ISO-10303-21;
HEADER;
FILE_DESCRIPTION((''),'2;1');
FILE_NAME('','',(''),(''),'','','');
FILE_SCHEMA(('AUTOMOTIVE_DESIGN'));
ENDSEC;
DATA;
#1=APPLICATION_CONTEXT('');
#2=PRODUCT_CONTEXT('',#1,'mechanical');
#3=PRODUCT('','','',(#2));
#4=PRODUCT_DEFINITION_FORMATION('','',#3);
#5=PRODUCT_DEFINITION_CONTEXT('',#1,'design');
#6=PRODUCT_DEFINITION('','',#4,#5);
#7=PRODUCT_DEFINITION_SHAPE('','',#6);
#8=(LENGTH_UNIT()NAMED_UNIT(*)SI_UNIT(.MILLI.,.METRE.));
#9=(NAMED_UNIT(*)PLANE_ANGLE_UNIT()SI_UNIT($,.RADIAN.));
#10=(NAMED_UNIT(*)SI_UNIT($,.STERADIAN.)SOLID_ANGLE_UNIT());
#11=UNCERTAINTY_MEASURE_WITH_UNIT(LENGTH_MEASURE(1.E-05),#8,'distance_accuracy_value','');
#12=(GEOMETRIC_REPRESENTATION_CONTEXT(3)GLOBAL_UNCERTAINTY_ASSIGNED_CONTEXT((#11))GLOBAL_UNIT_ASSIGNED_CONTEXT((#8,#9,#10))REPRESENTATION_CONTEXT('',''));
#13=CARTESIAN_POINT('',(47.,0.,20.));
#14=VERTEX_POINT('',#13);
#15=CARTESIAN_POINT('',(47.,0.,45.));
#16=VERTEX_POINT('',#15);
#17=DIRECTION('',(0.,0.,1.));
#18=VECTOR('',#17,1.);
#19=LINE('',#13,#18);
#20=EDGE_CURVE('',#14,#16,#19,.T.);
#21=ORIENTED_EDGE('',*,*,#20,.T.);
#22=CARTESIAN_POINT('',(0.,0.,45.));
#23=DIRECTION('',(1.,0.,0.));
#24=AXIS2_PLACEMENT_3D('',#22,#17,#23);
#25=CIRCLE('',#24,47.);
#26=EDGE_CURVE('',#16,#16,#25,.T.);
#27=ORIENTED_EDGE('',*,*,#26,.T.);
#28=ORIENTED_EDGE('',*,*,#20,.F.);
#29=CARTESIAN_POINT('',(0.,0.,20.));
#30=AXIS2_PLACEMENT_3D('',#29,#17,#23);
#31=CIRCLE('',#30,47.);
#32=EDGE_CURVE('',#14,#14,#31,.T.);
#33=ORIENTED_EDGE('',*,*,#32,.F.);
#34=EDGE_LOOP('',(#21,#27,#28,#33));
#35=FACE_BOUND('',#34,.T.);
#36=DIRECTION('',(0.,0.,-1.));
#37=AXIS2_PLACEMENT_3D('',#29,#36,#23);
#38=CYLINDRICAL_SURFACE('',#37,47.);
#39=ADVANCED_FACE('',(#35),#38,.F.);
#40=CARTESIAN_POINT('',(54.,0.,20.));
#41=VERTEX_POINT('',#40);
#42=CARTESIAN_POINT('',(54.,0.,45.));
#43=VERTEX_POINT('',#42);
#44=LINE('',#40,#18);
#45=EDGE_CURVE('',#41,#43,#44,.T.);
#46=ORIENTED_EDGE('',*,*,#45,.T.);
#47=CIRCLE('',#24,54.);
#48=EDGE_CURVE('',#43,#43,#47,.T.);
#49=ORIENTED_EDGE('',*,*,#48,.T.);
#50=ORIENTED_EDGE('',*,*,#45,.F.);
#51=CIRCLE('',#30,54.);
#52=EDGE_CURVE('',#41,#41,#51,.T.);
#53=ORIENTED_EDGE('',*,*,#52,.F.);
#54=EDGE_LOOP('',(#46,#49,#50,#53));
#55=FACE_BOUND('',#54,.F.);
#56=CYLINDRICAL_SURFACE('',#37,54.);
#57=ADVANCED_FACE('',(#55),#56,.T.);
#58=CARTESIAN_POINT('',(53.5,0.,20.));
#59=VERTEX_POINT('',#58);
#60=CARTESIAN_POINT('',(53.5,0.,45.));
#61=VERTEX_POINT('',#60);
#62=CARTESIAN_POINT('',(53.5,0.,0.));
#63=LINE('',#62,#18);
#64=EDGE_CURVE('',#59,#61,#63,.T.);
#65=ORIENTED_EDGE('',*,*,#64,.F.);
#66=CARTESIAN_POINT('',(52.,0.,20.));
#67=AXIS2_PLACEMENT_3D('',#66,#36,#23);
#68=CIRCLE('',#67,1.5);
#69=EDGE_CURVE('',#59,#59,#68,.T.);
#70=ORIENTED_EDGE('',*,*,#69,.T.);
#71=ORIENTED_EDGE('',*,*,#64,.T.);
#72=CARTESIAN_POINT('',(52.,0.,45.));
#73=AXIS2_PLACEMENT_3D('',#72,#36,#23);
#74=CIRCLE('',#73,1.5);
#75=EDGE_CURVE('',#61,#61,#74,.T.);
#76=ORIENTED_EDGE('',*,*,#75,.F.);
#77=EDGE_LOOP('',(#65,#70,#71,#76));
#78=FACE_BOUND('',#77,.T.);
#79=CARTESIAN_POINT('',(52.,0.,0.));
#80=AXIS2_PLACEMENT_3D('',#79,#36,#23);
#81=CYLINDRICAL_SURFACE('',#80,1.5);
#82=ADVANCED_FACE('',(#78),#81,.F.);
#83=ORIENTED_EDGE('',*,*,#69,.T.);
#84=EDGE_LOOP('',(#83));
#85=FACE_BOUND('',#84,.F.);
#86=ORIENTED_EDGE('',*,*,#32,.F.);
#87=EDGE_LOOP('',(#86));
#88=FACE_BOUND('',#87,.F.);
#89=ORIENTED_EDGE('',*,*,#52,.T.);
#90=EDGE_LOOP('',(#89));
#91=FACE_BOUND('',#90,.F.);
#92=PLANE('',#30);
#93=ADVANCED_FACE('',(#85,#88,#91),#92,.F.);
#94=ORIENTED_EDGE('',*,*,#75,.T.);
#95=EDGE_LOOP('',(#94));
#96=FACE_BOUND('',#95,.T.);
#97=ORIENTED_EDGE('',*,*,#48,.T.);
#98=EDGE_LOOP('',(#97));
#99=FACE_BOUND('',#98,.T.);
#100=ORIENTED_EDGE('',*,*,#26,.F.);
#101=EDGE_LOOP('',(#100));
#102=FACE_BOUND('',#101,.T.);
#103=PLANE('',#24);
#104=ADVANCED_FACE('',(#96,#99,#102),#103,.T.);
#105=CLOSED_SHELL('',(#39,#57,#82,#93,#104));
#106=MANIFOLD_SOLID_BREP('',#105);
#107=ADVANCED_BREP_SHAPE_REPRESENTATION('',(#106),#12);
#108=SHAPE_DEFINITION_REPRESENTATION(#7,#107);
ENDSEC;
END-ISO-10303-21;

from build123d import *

# Parameters (mm, degrees)
CYLINDER1142_R     = 1.5
CYLINDER1142_DEPTH = 50
TUBE102_R          = 54
TUBE102_R_2        = 47
TUBE102_DEPTH      = 25


with BuildPart() as v_lec1142:
    # Cylinder1142 → Cylinder1142 (new body)
    with BuildSketch(Plane(origin=(52, 0, 0), x_dir=(1, 0, 0), z_dir=(0, 0, 1))):
        Circle(CYLINDER1142_R)
    extrude(amount=CYLINDER1142_DEPTH)


with BuildPart() as thino:
    # Tube102 → Tube102 (new body)
    with BuildSketch(Plane.XY.offset(20)):
        Circle(TUBE102_R)
        Circle(TUBE102_R_2, mode=Mode.SUBTRACT)
    extrude(amount=TUBE102_DEPTH)

    # Cut: cut Válec1142
    add(v_lec1142.part, mode=Mode.SUBTRACT)


solid = thino.part
